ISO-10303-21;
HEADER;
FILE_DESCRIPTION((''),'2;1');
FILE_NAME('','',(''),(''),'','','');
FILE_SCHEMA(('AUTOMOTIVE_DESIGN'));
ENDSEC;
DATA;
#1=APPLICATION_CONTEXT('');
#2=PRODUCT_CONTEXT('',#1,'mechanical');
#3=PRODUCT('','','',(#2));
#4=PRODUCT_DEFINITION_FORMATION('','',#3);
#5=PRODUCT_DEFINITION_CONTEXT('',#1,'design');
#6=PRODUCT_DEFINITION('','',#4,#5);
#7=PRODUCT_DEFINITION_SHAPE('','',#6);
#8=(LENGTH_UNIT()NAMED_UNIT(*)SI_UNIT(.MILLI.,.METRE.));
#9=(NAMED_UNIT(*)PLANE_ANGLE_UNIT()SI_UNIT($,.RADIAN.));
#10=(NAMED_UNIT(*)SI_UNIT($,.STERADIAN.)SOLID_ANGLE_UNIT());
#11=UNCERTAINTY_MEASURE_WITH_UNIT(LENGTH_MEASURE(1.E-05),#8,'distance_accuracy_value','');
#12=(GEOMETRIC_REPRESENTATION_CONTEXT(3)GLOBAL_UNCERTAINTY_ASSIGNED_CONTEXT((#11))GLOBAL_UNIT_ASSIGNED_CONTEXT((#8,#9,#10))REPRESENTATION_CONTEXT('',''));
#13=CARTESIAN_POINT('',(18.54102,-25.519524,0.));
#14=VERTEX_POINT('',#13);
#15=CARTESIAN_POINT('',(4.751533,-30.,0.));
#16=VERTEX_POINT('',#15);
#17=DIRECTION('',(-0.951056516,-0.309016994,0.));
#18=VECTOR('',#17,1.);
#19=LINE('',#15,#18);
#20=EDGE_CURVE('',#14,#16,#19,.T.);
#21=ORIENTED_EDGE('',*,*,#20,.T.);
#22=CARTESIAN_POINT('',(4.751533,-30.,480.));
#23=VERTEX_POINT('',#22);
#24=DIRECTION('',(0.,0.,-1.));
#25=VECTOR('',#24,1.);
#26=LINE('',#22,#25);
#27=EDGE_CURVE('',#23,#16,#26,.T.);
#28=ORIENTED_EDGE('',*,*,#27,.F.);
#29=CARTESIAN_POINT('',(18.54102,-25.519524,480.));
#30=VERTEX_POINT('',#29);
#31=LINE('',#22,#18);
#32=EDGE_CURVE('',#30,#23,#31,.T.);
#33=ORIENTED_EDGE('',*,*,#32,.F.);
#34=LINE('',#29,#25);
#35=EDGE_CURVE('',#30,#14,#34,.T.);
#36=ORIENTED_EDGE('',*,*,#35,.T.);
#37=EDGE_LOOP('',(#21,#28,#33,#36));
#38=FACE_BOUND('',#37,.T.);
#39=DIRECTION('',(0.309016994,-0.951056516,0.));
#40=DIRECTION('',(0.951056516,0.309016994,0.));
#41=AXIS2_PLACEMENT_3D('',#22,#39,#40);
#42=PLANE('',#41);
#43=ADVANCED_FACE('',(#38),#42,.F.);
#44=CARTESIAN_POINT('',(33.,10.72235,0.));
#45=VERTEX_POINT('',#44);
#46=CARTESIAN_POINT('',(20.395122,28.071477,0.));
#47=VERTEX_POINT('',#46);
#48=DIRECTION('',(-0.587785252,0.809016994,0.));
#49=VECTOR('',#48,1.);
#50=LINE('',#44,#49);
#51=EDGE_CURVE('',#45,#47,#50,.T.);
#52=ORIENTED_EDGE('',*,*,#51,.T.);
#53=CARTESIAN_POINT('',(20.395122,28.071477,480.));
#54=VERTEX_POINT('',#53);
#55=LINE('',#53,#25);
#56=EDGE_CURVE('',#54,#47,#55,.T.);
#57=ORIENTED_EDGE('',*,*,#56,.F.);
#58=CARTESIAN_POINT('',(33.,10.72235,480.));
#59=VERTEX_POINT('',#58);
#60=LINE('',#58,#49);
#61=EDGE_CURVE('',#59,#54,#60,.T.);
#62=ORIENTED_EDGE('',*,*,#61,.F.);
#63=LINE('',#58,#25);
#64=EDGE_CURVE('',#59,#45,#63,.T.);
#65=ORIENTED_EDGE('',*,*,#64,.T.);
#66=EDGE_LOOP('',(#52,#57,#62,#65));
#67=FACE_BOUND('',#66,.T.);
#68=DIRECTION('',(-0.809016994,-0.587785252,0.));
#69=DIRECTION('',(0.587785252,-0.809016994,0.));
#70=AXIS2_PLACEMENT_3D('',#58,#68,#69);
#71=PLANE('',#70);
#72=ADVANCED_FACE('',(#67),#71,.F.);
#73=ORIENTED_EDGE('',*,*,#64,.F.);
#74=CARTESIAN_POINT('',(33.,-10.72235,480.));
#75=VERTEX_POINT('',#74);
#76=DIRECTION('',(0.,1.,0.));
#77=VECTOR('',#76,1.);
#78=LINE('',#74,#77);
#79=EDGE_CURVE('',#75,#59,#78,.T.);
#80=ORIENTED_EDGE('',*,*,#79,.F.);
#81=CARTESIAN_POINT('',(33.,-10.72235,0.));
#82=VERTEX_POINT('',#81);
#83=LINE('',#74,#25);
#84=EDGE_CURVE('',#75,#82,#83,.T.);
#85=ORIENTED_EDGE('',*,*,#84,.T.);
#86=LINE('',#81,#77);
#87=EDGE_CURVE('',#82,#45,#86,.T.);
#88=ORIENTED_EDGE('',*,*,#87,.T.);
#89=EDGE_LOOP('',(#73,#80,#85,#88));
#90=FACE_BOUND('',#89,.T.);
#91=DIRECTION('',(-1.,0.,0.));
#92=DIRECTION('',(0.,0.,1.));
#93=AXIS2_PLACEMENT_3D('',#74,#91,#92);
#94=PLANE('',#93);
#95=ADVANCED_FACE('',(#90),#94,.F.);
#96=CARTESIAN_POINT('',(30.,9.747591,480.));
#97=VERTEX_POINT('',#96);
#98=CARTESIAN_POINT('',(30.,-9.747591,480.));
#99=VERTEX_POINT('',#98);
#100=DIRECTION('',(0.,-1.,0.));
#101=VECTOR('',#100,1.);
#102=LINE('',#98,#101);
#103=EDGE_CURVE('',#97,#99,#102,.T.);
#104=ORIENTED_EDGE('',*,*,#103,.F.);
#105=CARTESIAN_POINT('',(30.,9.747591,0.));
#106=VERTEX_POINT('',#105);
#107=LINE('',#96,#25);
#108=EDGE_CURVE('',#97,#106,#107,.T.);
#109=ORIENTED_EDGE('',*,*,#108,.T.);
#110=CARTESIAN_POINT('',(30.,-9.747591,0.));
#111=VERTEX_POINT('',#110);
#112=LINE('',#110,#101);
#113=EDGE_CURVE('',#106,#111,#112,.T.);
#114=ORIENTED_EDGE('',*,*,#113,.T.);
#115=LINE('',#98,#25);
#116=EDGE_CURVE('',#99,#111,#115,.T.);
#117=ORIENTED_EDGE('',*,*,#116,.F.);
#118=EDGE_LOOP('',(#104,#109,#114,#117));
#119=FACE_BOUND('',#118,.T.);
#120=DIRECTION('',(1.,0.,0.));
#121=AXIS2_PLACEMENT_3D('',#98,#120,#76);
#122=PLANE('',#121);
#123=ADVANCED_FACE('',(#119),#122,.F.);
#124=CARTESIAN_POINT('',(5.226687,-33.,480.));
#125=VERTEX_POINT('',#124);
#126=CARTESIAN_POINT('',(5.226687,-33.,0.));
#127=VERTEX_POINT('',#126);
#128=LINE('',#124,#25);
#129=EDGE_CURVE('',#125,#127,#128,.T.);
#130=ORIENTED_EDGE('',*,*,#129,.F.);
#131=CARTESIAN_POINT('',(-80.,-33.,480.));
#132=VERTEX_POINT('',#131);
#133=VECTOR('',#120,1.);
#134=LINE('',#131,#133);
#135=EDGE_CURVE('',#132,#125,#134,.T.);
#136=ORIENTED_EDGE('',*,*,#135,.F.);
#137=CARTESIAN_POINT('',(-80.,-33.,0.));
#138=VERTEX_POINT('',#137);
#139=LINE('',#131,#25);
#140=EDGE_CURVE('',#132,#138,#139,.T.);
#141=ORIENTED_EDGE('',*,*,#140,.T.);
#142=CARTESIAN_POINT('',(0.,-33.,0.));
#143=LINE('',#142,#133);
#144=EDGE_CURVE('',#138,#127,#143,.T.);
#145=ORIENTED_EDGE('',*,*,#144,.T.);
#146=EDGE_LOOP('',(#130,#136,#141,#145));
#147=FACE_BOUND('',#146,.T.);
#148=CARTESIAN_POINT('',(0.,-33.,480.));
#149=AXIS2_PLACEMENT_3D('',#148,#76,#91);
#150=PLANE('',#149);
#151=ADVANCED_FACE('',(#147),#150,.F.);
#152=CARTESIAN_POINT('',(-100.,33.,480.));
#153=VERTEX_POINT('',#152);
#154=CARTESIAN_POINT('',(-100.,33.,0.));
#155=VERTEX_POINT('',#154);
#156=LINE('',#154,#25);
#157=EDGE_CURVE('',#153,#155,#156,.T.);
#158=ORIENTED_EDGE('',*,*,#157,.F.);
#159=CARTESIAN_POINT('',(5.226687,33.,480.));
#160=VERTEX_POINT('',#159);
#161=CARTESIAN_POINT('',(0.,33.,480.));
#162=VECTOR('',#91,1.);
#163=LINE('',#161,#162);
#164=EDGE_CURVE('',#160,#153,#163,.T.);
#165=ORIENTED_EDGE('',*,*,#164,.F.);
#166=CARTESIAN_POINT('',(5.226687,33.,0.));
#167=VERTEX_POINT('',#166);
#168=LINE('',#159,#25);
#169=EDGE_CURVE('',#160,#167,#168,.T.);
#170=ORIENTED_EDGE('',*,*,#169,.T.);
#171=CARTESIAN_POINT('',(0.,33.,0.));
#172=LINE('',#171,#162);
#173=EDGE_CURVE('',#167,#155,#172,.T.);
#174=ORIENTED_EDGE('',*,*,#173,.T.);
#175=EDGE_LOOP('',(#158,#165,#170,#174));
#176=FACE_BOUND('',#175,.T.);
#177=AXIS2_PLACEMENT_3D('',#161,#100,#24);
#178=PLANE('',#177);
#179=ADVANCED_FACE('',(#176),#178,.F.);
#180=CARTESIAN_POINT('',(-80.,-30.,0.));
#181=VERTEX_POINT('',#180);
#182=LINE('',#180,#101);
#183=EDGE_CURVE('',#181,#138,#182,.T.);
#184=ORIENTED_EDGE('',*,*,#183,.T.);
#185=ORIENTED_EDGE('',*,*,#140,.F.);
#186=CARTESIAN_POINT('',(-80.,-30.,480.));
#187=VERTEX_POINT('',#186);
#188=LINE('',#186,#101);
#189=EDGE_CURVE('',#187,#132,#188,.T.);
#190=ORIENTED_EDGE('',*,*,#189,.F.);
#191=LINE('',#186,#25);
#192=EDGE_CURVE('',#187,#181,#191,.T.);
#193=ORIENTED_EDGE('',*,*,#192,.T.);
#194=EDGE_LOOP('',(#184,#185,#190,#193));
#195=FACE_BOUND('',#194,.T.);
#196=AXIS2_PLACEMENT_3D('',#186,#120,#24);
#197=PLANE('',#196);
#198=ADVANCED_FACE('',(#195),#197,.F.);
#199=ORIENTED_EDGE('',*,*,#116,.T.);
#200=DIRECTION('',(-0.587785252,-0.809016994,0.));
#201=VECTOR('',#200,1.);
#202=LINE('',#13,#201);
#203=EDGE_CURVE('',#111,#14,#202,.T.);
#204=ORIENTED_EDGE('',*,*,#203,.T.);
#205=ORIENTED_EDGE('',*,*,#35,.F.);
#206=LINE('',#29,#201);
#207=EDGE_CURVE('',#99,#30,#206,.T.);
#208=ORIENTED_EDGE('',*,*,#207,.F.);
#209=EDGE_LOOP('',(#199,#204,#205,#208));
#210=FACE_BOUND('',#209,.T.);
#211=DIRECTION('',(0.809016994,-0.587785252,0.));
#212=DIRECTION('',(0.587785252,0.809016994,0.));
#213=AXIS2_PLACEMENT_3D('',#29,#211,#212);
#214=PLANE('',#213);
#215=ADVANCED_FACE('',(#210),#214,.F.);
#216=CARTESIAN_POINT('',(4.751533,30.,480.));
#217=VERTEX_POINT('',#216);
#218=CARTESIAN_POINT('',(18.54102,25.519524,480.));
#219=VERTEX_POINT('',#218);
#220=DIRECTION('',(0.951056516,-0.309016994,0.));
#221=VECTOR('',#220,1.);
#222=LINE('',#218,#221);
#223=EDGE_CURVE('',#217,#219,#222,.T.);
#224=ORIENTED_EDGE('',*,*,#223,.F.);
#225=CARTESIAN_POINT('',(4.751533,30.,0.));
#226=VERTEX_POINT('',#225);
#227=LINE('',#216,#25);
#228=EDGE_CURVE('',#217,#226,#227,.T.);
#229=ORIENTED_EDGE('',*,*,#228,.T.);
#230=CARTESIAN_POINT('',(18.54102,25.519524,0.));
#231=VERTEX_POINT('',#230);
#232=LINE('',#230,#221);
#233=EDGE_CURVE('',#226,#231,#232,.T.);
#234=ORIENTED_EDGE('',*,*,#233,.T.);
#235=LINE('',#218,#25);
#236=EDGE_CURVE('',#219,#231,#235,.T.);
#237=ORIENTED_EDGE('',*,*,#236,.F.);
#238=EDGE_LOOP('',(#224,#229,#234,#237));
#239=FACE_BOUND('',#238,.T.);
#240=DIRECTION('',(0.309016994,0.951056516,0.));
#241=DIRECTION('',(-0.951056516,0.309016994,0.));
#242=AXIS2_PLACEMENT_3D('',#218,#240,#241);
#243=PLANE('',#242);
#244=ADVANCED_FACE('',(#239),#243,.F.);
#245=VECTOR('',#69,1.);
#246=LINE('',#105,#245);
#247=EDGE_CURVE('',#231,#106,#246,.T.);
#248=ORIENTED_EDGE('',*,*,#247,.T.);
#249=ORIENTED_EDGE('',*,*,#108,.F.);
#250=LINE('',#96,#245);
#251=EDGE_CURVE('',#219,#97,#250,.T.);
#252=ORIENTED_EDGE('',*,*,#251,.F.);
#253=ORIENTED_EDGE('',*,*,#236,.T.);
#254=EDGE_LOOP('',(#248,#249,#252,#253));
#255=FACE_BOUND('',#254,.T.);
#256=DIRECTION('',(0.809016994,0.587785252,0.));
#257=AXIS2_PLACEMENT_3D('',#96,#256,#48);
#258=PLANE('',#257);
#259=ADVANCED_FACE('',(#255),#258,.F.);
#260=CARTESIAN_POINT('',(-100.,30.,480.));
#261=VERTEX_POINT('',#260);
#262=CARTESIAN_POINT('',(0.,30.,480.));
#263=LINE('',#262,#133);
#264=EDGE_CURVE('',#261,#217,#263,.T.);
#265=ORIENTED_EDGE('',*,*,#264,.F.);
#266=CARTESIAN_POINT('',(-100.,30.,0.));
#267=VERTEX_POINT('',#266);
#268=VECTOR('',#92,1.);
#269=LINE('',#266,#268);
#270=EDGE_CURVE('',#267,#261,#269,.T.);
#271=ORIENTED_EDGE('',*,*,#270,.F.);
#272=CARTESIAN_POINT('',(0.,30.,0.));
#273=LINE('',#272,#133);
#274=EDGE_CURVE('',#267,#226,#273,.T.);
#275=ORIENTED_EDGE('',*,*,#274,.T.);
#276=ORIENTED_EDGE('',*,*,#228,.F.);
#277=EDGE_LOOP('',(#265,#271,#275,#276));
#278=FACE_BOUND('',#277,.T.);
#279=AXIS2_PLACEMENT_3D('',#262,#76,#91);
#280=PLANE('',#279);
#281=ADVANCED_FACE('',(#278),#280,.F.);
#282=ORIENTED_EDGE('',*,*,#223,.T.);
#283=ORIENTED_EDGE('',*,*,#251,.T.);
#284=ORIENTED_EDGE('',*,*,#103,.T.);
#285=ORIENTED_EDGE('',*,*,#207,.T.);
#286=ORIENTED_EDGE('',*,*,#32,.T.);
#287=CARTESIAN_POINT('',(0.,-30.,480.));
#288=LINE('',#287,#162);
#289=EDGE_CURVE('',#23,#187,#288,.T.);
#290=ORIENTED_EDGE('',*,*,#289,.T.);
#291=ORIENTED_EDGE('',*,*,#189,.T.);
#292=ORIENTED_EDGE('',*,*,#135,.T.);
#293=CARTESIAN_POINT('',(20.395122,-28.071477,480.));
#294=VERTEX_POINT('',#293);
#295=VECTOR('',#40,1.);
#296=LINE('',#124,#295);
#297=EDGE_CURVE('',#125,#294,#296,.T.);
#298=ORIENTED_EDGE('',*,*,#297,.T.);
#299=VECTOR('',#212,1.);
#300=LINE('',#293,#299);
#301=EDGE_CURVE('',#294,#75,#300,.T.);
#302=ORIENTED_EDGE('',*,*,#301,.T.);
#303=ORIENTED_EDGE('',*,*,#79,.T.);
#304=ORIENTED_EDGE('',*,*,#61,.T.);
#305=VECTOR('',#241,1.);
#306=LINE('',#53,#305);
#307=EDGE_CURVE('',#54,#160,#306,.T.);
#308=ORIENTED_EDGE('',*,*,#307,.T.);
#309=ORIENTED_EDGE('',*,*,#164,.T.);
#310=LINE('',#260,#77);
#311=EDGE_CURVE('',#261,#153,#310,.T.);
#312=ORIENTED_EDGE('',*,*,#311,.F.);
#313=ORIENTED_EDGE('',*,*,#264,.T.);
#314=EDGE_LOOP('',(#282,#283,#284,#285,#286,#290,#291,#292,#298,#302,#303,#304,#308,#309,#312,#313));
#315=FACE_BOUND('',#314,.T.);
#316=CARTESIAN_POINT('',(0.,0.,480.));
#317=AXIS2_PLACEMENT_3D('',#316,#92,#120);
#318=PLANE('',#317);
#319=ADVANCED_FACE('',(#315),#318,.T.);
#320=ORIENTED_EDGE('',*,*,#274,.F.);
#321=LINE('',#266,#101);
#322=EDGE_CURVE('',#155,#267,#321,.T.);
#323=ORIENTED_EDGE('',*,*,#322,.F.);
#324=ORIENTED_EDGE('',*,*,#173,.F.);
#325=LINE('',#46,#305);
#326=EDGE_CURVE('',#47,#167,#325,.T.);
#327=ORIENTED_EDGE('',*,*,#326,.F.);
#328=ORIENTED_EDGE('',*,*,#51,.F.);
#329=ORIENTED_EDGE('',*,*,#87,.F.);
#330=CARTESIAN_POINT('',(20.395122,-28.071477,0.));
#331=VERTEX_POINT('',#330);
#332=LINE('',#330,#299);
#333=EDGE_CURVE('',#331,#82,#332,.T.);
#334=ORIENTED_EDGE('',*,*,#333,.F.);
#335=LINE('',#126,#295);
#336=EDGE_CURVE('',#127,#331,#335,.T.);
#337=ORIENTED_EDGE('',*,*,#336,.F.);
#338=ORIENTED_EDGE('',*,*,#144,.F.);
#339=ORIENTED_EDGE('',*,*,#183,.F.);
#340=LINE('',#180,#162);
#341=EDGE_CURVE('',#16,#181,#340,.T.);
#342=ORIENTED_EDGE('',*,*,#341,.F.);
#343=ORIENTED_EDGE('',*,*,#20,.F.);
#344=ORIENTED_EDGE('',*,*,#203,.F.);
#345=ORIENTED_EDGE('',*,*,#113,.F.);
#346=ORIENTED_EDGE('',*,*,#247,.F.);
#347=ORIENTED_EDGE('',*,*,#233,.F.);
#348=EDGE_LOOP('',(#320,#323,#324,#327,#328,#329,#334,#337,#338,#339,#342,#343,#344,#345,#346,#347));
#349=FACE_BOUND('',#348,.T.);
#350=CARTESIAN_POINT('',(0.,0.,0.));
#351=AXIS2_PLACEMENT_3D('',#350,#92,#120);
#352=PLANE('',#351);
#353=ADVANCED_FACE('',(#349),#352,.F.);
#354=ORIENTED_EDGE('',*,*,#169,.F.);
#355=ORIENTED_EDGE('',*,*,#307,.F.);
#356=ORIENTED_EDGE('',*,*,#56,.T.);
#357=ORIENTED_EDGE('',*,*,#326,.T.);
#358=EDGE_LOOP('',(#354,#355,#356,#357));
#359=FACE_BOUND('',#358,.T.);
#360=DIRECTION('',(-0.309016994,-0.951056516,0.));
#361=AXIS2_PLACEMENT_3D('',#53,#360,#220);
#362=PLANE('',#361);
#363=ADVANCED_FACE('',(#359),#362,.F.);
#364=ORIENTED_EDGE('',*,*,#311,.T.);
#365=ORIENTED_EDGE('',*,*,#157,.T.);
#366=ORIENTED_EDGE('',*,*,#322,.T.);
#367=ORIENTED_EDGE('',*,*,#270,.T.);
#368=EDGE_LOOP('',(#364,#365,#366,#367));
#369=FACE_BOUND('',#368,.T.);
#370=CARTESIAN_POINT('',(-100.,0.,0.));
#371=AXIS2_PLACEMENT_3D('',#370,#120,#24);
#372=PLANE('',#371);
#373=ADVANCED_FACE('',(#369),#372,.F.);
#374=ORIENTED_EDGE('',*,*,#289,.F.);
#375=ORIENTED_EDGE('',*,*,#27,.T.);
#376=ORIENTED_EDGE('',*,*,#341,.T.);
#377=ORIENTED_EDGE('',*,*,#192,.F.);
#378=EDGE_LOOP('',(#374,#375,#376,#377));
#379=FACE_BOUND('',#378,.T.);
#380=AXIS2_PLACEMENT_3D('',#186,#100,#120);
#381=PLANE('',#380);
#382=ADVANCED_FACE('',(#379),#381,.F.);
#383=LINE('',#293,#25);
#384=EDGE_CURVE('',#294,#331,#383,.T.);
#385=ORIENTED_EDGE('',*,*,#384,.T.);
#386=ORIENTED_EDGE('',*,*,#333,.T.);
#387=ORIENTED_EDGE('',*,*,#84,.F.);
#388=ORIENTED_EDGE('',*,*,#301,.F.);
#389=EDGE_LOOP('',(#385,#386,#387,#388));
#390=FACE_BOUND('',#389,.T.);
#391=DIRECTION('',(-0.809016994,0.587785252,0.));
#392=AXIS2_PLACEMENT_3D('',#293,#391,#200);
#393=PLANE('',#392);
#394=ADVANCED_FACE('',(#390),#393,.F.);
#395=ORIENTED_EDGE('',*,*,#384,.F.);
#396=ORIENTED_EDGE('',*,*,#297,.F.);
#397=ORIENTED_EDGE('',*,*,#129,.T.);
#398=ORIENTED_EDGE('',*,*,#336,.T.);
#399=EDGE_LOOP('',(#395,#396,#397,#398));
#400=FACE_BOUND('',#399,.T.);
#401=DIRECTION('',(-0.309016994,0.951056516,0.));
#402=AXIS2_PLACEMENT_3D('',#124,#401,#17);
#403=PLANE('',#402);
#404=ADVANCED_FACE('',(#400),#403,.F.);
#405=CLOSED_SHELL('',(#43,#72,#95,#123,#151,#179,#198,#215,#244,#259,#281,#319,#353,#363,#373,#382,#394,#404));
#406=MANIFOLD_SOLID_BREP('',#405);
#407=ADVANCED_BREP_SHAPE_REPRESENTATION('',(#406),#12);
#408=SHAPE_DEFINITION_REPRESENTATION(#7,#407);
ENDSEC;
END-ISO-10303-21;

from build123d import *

# Parameters (mm, degrees)
BOSS_EXTRU_1_DEPTH = 480
ESQUISSE3_W        = 480
ESQUISSE3_H        = 3
BOSS_EXTRU_2_DEPTH = 20


with BuildPart() as part:
    # Esquisse1 → Boss.-Extru.1 (new body)
    with BuildSketch(Plane.XY):
        Polygon((0, 30), (-80, 30), (-80, 33), (0, 33), (5.226686531, 33), (20.395121629, 28.071476676), (33, 10.722349976), (33, -10.722349976), (20.395121629, -28.071476676), (5.226686531, -33), (0, -33), (-80, -33), (-80, -30), (0, -30), (4.75153321, -30), (18.541019662, -25.519524251), (30, -9.747590887), (30, 9.747590887), (18.541019662, 25.519524251), (4.75153321, 30), align=None)
    extrude(amount=BOSS_EXTRU_1_DEPTH)

    # Esquisse3 → Boss.-Extru.2 (add)
    with BuildSketch(Plane.ZY.offset(80)):
        with Locations((240, 31.5)):
            Rectangle(ESQUISSE3_W, ESQUISSE3_H)
    extrude(amount=BOSS_EXTRU_2_DEPTH)


solid = part.part
